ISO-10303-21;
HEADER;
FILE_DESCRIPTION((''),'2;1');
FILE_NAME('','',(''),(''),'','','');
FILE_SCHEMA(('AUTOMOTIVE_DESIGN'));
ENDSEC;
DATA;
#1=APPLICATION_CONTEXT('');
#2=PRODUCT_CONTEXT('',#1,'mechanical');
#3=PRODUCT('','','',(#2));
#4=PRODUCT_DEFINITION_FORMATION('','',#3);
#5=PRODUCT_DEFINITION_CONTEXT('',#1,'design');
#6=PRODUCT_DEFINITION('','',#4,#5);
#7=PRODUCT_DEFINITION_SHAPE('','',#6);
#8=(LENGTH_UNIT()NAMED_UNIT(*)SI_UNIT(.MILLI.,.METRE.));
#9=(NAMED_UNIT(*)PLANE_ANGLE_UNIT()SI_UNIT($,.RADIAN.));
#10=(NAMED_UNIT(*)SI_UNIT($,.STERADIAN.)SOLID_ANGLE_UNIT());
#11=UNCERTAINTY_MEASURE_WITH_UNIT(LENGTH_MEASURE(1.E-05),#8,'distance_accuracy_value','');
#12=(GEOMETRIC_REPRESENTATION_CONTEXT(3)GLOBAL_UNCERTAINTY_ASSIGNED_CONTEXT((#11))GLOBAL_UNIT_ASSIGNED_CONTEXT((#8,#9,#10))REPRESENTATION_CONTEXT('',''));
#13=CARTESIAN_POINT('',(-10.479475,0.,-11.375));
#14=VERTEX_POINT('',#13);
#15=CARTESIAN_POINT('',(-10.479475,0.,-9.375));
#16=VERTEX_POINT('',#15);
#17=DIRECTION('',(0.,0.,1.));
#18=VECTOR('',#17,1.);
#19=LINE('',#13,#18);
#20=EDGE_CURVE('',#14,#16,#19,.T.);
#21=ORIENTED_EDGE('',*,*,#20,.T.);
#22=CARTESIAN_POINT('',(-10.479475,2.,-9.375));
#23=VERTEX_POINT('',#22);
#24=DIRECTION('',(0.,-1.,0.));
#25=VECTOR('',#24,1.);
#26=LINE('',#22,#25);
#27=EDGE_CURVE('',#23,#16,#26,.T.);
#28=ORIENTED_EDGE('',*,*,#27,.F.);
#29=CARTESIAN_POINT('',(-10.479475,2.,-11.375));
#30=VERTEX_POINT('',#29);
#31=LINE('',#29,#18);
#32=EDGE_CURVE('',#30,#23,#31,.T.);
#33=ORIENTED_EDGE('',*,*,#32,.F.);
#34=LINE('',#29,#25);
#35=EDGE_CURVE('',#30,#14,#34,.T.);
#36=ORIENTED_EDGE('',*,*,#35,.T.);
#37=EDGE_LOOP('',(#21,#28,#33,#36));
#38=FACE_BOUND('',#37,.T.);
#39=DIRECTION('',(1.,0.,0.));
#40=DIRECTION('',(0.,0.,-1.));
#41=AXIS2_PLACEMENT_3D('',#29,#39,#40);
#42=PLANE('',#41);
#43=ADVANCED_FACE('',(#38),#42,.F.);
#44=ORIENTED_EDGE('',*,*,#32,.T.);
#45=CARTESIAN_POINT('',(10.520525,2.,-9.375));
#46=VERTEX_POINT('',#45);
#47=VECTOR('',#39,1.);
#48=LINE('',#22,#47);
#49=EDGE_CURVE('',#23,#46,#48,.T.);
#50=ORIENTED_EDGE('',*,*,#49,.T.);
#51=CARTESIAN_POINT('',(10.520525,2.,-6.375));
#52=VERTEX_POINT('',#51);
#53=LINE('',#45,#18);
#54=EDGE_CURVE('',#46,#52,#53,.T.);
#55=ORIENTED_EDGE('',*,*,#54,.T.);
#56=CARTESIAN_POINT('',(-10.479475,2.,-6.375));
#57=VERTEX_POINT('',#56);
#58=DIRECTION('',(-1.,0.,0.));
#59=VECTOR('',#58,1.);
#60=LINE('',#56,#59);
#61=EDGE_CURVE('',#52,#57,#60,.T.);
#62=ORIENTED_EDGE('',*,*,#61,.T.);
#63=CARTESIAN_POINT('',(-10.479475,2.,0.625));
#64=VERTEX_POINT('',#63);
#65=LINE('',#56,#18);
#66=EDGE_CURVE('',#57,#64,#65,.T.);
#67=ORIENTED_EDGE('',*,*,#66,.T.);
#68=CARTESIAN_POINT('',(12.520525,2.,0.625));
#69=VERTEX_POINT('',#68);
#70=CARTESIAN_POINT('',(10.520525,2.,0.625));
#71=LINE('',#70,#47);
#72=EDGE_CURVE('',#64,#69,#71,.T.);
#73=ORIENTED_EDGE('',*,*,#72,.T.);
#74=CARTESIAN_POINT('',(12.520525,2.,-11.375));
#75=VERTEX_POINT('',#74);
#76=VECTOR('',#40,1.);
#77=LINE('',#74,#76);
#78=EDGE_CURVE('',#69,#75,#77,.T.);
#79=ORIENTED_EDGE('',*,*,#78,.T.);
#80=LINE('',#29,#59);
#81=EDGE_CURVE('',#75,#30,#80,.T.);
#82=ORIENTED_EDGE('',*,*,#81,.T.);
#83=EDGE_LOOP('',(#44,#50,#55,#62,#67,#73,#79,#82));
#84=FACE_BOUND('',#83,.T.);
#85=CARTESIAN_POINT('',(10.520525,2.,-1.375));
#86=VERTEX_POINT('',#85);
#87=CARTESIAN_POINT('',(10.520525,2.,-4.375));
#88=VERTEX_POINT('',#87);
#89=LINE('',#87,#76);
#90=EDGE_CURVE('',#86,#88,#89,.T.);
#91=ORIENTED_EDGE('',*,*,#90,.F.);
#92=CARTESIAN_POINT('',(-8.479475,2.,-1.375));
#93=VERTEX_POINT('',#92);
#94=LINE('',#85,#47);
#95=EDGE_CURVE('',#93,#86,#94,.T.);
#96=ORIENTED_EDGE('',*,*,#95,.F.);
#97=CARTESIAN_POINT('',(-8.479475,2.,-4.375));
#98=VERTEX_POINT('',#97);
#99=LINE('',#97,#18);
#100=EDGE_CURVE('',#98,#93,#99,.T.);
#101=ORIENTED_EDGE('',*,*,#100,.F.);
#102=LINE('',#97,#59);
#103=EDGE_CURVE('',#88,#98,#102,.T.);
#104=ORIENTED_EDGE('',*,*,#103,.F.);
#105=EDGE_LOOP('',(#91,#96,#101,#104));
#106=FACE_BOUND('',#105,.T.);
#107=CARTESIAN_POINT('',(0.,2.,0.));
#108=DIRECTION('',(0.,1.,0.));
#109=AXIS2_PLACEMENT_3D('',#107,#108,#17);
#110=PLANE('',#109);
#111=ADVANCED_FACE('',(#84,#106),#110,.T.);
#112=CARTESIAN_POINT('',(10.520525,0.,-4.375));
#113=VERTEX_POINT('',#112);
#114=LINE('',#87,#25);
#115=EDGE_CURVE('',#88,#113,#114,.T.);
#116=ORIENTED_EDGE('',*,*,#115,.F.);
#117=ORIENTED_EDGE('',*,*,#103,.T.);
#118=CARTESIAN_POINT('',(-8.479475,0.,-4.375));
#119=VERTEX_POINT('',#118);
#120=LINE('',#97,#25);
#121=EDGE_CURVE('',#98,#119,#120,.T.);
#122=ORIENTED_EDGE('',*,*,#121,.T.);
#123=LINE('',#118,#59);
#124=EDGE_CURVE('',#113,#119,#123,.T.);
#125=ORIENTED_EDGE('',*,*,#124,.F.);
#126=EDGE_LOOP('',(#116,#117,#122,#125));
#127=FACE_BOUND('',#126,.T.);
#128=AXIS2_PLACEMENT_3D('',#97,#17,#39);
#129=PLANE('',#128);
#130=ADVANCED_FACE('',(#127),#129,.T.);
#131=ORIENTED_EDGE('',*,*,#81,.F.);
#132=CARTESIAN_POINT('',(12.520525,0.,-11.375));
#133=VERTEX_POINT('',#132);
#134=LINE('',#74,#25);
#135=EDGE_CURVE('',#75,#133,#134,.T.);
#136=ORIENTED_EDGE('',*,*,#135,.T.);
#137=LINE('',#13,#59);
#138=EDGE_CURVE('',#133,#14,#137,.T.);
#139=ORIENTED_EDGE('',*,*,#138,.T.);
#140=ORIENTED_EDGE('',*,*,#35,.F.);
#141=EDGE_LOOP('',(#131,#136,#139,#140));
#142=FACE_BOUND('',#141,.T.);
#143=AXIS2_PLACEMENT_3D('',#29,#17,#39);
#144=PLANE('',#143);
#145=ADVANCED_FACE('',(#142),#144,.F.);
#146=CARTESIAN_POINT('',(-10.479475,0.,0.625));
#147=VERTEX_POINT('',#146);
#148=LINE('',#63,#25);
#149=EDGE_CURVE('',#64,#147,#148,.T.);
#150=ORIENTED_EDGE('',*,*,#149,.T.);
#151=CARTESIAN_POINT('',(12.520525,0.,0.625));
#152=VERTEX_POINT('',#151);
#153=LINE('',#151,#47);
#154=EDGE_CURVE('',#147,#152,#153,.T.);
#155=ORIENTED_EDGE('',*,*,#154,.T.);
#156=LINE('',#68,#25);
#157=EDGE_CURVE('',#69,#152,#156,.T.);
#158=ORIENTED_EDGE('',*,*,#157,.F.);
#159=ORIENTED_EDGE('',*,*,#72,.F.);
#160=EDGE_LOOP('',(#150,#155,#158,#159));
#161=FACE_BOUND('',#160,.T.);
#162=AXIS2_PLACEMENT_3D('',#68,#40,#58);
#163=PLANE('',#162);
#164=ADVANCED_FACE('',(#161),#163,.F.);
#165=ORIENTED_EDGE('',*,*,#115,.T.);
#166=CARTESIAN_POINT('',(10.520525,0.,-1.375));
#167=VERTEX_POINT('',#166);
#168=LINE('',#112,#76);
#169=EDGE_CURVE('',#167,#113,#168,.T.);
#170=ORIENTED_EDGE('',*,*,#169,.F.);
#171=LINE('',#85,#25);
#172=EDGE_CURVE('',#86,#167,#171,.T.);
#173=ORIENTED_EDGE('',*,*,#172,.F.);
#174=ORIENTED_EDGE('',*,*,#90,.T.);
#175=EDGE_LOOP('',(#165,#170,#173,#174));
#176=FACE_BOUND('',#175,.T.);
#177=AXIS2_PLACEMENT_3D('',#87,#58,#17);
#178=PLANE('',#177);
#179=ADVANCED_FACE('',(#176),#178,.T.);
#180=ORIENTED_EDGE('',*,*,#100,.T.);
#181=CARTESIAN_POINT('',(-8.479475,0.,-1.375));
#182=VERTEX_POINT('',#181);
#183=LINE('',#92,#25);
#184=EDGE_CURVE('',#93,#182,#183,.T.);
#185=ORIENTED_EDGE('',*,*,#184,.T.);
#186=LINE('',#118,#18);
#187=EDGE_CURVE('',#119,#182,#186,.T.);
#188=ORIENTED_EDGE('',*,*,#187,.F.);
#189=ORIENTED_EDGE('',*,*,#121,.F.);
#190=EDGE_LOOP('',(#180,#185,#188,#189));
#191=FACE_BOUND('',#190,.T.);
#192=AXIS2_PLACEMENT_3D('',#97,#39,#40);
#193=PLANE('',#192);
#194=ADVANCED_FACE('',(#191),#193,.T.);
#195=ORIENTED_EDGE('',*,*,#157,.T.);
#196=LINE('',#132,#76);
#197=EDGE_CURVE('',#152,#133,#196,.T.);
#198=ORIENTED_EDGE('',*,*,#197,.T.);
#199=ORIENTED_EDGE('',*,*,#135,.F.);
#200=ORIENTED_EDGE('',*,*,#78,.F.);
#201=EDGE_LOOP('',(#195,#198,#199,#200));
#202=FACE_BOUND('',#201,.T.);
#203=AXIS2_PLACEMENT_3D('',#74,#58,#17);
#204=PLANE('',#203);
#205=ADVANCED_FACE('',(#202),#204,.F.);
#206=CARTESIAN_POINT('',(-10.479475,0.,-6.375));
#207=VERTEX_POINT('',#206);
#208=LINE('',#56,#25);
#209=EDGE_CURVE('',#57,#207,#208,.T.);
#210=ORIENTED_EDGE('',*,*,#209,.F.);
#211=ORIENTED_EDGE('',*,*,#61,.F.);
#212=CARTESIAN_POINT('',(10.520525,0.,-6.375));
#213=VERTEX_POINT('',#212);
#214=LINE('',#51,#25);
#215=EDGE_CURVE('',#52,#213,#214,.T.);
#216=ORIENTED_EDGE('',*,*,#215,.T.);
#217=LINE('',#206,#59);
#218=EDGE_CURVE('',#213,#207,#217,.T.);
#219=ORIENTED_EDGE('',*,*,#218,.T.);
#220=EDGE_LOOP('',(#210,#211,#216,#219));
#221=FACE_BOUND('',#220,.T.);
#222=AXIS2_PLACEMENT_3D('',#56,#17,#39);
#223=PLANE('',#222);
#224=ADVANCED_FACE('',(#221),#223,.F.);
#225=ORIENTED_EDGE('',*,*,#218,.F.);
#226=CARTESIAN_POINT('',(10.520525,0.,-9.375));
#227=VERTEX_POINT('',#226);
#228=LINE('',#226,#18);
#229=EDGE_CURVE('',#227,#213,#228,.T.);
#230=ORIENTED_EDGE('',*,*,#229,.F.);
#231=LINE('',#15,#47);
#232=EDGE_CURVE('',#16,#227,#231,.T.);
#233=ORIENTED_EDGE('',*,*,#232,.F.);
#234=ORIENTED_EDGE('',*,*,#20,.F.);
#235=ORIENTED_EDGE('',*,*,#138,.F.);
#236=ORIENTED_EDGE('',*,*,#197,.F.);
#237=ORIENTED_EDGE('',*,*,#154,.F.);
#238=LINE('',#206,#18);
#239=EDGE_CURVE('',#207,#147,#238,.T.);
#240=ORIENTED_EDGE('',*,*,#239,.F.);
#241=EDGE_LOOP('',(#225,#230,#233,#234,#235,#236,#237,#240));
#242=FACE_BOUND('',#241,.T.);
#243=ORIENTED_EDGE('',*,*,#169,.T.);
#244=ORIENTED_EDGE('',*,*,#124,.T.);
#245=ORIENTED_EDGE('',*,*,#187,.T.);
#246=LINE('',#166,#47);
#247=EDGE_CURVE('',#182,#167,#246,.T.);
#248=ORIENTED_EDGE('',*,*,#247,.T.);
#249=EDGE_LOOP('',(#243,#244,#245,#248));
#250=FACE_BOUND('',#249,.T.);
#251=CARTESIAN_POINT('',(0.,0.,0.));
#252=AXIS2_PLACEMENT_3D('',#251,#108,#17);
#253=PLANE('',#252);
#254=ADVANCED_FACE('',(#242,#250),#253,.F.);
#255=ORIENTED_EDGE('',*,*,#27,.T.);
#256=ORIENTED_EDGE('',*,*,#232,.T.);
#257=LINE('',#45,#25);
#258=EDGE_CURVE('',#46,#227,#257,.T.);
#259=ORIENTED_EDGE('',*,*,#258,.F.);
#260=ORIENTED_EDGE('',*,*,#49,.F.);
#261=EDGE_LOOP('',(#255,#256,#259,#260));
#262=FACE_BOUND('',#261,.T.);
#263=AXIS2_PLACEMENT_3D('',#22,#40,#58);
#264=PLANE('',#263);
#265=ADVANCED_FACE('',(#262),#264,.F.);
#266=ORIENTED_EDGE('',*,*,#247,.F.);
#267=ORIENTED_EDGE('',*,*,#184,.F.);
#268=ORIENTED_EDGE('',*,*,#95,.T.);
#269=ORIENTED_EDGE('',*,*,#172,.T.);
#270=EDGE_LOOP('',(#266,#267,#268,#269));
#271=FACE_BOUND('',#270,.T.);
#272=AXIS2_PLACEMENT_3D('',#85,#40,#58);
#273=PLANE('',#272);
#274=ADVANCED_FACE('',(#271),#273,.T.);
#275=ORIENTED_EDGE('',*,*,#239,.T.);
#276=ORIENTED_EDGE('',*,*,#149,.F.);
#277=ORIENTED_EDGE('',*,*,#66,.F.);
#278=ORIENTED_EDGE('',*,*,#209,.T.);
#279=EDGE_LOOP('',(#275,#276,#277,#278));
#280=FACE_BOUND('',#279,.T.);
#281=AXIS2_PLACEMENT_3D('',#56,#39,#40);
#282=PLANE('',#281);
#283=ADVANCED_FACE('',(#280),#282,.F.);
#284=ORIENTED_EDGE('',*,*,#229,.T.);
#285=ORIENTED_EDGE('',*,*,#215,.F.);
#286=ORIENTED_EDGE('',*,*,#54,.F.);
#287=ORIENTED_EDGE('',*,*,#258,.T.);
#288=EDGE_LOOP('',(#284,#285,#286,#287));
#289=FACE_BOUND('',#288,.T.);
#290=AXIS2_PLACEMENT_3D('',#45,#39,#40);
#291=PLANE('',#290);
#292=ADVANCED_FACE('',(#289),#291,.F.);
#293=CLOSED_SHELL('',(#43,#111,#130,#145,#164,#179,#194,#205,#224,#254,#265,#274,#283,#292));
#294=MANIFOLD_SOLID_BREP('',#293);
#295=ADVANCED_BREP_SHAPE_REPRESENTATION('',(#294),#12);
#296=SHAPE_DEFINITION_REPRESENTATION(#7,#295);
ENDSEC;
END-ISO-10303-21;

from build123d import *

# Parameters (mm, degrees)
ESBO_O1_W                = 19
ESBO_O1_H                = 3
RESSALTO_EXTRUS_O1_DEPTH = 2


with BuildPart() as part:
    # Esboço1 → Ressalto-extrusão1 (new body)
    with BuildSketch(Plane(origin=(0, 0, 0), x_dir=(1, 0, 0), z_dir=(0, 1, 0))):
        Polygon((-10.479474548, 11.375), (12.520525452, 11.375), (12.520525452, -0.625), (10.520525452, -0.625), (-10.479474548, -0.625), (-10.479474548, 6.375), (10.520525452, 6.375), (10.520525452, 9.375), (-10.479474548, 9.375), align=None)
        with Locations((1.020525452, 2.875)):
            Rectangle(ESBO_O1_W, ESBO_O1_H, mode=Mode.SUBTRACT)
    extrude(amount=RESSALTO_EXTRUS_O1_DEPTH)


solid = part.part
